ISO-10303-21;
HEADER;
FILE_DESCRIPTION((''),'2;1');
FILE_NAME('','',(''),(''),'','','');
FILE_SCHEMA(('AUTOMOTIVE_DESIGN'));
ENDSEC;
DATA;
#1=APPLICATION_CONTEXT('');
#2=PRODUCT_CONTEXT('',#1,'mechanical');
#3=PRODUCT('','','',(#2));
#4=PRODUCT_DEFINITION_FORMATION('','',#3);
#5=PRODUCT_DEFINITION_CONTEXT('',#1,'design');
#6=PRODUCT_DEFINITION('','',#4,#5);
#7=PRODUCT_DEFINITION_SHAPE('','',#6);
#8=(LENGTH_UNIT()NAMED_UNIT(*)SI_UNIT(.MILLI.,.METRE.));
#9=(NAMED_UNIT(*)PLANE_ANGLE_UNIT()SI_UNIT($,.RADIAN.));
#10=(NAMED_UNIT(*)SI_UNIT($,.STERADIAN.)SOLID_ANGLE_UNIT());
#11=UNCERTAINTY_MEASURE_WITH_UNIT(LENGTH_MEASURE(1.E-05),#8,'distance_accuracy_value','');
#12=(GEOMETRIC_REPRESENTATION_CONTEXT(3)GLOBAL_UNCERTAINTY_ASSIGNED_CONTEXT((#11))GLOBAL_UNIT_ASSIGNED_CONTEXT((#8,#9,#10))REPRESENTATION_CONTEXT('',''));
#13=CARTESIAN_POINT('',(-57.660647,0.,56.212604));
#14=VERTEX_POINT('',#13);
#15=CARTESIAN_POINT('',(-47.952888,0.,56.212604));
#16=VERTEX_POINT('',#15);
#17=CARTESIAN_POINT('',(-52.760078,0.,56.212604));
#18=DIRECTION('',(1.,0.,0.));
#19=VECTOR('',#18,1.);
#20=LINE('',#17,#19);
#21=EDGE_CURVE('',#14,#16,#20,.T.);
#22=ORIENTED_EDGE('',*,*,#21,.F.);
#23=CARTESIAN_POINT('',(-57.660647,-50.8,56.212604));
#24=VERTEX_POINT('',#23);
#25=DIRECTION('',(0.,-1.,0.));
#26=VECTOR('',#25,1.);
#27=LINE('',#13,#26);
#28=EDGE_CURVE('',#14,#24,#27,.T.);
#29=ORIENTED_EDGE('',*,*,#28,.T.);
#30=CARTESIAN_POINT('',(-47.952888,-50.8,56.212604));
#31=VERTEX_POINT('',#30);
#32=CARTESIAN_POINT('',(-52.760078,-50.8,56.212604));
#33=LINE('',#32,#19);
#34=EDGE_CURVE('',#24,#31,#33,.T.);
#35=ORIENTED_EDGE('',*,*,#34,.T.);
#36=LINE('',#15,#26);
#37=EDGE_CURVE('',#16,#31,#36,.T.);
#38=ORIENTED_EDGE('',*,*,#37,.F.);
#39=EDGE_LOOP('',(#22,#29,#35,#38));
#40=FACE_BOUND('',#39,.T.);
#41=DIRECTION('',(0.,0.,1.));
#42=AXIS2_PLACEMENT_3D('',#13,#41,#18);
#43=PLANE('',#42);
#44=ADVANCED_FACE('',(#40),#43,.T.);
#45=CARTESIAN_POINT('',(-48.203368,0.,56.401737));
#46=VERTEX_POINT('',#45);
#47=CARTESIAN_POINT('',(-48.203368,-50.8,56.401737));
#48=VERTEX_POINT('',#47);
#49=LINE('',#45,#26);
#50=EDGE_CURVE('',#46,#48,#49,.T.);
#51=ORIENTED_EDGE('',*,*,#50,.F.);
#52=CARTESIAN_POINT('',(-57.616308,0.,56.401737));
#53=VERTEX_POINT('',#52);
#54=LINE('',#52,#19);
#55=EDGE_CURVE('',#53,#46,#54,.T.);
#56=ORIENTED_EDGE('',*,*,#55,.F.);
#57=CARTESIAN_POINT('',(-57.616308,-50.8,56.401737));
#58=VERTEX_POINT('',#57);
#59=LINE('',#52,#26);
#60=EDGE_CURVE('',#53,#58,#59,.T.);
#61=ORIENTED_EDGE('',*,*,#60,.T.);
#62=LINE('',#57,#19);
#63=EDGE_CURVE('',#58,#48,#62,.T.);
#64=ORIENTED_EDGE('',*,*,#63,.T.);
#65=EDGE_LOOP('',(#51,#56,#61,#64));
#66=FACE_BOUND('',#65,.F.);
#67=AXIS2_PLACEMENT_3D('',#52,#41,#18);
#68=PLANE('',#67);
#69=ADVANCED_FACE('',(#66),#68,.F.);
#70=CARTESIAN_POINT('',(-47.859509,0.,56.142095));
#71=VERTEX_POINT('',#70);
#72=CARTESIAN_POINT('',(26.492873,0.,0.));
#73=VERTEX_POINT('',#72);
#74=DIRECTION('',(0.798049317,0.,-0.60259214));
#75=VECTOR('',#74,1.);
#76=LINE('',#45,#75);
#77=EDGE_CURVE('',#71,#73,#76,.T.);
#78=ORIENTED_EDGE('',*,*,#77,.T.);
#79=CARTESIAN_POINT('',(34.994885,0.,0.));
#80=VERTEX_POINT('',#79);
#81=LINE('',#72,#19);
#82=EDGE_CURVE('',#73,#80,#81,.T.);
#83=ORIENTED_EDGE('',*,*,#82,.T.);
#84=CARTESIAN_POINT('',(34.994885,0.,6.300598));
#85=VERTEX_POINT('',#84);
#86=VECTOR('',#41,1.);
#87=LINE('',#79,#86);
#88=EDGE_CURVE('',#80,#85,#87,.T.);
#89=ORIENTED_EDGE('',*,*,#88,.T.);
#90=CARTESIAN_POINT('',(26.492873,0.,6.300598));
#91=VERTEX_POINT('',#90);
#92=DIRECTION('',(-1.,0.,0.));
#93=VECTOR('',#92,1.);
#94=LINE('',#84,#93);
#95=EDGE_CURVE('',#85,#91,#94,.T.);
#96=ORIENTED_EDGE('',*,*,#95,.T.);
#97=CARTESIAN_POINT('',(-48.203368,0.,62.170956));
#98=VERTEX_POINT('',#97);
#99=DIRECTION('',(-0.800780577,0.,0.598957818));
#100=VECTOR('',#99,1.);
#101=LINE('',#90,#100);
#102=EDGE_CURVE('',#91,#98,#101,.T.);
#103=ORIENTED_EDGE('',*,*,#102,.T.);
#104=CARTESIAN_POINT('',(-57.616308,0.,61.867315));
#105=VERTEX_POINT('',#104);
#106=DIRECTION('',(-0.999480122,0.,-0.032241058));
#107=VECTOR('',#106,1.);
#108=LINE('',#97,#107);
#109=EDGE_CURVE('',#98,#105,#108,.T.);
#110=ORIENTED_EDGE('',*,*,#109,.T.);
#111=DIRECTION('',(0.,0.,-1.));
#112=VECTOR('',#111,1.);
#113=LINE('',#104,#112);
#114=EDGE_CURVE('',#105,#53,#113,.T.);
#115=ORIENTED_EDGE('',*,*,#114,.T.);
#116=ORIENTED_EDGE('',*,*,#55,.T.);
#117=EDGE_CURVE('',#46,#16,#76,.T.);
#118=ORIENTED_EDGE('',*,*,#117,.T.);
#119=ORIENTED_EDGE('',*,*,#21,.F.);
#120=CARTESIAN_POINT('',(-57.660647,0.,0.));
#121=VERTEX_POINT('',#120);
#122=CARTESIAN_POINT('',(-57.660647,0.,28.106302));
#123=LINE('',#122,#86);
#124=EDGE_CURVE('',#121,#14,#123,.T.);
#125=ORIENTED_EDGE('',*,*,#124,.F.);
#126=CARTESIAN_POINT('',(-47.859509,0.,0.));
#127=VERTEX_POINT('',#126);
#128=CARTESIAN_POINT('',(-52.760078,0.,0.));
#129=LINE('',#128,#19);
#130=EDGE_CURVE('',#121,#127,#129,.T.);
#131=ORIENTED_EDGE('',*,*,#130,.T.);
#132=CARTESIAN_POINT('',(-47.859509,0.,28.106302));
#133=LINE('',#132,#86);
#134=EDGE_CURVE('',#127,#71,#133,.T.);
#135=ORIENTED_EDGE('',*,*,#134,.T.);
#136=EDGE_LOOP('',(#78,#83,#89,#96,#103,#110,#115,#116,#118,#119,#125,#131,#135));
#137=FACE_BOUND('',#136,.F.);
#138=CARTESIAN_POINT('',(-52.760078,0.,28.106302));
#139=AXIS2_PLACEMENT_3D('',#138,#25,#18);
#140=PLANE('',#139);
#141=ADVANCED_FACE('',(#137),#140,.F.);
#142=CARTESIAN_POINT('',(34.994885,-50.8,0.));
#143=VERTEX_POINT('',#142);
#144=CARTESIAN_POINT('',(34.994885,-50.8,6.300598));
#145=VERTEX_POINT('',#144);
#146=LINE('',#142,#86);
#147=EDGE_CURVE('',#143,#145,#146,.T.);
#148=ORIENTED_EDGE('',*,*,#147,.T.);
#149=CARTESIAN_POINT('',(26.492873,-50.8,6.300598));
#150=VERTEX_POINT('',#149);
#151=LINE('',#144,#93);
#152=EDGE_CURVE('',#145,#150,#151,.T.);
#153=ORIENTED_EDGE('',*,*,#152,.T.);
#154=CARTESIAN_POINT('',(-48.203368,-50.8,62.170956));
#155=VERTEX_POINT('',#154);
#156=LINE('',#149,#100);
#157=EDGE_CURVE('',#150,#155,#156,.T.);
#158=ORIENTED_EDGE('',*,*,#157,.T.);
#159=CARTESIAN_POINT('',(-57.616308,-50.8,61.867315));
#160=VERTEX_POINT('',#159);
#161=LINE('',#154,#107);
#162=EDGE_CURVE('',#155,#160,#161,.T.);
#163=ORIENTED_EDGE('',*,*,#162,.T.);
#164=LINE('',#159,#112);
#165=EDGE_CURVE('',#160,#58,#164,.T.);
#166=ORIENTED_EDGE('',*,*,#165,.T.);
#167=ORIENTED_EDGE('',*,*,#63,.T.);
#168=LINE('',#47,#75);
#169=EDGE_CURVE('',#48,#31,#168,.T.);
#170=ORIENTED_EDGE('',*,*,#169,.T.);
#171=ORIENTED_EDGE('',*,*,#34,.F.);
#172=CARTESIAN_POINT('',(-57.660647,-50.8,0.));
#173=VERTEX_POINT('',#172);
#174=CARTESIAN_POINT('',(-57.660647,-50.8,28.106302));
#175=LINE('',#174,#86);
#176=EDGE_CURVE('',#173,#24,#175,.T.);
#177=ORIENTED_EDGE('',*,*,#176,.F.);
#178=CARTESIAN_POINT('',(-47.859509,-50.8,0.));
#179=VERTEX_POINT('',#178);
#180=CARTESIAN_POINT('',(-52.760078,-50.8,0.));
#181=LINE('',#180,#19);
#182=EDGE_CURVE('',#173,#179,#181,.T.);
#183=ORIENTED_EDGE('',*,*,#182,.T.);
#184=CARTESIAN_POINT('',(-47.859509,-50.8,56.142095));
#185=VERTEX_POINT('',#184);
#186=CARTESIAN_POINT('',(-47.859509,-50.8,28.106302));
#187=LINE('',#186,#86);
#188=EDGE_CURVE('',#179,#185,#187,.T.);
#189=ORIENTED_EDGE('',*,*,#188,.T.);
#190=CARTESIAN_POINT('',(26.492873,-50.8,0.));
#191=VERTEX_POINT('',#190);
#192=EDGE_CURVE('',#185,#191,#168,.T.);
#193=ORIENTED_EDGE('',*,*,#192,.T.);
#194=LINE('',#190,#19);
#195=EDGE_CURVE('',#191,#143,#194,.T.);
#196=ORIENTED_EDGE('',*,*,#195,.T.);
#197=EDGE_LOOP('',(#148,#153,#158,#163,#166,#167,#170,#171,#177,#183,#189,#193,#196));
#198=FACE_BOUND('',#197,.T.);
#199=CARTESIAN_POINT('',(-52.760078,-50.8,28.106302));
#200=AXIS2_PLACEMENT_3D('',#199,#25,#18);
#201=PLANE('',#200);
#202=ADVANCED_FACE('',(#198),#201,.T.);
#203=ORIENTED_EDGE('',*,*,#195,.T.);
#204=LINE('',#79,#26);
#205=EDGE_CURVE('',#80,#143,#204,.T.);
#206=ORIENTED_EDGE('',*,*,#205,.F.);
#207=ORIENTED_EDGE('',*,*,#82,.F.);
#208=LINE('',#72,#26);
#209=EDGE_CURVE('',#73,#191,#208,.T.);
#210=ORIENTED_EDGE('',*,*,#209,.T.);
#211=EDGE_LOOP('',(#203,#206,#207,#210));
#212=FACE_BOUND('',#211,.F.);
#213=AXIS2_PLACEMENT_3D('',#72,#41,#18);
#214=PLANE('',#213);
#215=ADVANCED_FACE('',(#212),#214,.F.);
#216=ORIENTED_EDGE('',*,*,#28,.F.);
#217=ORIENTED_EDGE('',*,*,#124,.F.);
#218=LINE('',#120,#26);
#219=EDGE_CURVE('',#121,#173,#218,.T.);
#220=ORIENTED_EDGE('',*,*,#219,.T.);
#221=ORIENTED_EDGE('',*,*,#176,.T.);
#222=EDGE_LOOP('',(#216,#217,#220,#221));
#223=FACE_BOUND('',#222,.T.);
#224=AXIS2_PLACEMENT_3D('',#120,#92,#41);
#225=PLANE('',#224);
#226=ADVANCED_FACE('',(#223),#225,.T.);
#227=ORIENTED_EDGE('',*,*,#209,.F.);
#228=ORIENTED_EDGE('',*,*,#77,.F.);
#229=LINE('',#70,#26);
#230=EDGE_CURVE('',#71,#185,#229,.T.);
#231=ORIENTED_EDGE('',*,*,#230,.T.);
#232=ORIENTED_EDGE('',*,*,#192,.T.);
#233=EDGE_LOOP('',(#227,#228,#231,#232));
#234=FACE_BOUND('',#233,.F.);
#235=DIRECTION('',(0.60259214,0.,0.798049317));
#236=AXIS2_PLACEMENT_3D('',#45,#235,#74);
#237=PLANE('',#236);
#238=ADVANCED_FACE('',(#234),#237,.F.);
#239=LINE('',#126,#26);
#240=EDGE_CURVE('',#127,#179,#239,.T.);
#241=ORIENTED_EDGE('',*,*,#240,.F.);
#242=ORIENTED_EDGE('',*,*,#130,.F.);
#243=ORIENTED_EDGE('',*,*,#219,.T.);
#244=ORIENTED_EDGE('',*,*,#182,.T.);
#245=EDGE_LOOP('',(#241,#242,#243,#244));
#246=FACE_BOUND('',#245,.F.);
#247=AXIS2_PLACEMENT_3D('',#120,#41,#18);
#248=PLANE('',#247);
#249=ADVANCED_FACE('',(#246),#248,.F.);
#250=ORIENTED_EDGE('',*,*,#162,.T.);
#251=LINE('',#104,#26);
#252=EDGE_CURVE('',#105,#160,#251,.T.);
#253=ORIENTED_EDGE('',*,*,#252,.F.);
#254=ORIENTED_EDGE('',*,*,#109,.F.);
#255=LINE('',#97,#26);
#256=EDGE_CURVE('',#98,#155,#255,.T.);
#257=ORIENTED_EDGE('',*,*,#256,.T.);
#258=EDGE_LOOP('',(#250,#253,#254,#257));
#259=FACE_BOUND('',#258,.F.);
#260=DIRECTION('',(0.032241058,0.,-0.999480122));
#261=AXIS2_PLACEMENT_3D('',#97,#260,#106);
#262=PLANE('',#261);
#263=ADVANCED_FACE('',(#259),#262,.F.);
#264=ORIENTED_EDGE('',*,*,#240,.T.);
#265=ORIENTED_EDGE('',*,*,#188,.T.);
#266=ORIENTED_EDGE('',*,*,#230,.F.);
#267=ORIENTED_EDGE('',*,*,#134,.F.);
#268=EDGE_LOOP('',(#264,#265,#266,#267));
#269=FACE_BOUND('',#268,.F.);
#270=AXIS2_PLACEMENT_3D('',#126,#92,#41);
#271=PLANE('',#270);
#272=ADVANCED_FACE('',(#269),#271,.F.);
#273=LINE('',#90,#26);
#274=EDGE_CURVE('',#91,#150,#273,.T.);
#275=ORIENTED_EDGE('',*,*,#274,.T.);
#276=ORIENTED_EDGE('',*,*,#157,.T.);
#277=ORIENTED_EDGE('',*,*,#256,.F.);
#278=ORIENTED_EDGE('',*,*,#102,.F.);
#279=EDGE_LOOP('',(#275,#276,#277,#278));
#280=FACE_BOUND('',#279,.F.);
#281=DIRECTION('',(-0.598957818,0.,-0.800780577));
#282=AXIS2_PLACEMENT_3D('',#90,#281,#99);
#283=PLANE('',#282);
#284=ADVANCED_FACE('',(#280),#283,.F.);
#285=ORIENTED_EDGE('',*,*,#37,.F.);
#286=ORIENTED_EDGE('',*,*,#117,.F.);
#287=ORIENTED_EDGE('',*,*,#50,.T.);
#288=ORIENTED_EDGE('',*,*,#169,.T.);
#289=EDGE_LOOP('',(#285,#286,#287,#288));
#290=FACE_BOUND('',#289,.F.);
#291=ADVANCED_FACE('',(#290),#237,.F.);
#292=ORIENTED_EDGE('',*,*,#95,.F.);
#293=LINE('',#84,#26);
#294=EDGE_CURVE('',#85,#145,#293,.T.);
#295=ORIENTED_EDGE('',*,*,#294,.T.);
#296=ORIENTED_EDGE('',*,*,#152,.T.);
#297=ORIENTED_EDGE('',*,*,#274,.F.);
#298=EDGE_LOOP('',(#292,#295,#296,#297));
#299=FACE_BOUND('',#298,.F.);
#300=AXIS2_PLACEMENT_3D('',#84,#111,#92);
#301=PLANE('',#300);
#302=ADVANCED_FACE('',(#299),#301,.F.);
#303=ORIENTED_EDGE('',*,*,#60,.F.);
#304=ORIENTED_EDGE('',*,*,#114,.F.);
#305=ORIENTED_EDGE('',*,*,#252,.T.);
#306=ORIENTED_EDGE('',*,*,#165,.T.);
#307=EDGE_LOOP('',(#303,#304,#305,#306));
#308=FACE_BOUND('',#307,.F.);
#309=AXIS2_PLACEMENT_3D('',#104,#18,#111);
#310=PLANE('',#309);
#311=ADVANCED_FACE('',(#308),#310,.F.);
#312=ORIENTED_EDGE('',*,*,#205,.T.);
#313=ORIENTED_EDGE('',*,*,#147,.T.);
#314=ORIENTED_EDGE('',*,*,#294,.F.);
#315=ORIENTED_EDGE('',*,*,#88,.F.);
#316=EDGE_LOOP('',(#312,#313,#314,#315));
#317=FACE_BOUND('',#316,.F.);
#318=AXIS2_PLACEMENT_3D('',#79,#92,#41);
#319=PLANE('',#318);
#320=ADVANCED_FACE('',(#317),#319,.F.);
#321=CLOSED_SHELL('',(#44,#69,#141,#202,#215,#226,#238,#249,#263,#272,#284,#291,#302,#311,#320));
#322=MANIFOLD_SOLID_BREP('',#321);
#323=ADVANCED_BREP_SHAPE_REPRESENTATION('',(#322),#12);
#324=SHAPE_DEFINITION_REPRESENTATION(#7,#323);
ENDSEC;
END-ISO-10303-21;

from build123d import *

# Parameters (mm, degrees)
F1_DEPTH = 50.8
F2_W     = 9.801138
F2_H     = 56.212604
F3_DEPTH = 50.8


with BuildPart() as f1:
    # F0 (on Front) → F1 (new body)
    with BuildSketch(Plane.XZ):
        Polygon((-48.203368, 62.170956), (-57.616308, 61.867315), (-57.616308, 56.401737), (-48.203368, 56.401737), (26.492873, 0), (34.994885, 0), (34.994885, 6.300598), (26.492873, 6.300598), align=None)
    extrude(amount=F1_DEPTH)

    # F2 (on Front) → F3 (join)
    with BuildSketch(Plane.XZ):
        with Locations((-52.760078, 28.106302)):
            Rectangle(F2_W, F2_H)
    extrude(amount=F3_DEPTH)


solid = f1.part
